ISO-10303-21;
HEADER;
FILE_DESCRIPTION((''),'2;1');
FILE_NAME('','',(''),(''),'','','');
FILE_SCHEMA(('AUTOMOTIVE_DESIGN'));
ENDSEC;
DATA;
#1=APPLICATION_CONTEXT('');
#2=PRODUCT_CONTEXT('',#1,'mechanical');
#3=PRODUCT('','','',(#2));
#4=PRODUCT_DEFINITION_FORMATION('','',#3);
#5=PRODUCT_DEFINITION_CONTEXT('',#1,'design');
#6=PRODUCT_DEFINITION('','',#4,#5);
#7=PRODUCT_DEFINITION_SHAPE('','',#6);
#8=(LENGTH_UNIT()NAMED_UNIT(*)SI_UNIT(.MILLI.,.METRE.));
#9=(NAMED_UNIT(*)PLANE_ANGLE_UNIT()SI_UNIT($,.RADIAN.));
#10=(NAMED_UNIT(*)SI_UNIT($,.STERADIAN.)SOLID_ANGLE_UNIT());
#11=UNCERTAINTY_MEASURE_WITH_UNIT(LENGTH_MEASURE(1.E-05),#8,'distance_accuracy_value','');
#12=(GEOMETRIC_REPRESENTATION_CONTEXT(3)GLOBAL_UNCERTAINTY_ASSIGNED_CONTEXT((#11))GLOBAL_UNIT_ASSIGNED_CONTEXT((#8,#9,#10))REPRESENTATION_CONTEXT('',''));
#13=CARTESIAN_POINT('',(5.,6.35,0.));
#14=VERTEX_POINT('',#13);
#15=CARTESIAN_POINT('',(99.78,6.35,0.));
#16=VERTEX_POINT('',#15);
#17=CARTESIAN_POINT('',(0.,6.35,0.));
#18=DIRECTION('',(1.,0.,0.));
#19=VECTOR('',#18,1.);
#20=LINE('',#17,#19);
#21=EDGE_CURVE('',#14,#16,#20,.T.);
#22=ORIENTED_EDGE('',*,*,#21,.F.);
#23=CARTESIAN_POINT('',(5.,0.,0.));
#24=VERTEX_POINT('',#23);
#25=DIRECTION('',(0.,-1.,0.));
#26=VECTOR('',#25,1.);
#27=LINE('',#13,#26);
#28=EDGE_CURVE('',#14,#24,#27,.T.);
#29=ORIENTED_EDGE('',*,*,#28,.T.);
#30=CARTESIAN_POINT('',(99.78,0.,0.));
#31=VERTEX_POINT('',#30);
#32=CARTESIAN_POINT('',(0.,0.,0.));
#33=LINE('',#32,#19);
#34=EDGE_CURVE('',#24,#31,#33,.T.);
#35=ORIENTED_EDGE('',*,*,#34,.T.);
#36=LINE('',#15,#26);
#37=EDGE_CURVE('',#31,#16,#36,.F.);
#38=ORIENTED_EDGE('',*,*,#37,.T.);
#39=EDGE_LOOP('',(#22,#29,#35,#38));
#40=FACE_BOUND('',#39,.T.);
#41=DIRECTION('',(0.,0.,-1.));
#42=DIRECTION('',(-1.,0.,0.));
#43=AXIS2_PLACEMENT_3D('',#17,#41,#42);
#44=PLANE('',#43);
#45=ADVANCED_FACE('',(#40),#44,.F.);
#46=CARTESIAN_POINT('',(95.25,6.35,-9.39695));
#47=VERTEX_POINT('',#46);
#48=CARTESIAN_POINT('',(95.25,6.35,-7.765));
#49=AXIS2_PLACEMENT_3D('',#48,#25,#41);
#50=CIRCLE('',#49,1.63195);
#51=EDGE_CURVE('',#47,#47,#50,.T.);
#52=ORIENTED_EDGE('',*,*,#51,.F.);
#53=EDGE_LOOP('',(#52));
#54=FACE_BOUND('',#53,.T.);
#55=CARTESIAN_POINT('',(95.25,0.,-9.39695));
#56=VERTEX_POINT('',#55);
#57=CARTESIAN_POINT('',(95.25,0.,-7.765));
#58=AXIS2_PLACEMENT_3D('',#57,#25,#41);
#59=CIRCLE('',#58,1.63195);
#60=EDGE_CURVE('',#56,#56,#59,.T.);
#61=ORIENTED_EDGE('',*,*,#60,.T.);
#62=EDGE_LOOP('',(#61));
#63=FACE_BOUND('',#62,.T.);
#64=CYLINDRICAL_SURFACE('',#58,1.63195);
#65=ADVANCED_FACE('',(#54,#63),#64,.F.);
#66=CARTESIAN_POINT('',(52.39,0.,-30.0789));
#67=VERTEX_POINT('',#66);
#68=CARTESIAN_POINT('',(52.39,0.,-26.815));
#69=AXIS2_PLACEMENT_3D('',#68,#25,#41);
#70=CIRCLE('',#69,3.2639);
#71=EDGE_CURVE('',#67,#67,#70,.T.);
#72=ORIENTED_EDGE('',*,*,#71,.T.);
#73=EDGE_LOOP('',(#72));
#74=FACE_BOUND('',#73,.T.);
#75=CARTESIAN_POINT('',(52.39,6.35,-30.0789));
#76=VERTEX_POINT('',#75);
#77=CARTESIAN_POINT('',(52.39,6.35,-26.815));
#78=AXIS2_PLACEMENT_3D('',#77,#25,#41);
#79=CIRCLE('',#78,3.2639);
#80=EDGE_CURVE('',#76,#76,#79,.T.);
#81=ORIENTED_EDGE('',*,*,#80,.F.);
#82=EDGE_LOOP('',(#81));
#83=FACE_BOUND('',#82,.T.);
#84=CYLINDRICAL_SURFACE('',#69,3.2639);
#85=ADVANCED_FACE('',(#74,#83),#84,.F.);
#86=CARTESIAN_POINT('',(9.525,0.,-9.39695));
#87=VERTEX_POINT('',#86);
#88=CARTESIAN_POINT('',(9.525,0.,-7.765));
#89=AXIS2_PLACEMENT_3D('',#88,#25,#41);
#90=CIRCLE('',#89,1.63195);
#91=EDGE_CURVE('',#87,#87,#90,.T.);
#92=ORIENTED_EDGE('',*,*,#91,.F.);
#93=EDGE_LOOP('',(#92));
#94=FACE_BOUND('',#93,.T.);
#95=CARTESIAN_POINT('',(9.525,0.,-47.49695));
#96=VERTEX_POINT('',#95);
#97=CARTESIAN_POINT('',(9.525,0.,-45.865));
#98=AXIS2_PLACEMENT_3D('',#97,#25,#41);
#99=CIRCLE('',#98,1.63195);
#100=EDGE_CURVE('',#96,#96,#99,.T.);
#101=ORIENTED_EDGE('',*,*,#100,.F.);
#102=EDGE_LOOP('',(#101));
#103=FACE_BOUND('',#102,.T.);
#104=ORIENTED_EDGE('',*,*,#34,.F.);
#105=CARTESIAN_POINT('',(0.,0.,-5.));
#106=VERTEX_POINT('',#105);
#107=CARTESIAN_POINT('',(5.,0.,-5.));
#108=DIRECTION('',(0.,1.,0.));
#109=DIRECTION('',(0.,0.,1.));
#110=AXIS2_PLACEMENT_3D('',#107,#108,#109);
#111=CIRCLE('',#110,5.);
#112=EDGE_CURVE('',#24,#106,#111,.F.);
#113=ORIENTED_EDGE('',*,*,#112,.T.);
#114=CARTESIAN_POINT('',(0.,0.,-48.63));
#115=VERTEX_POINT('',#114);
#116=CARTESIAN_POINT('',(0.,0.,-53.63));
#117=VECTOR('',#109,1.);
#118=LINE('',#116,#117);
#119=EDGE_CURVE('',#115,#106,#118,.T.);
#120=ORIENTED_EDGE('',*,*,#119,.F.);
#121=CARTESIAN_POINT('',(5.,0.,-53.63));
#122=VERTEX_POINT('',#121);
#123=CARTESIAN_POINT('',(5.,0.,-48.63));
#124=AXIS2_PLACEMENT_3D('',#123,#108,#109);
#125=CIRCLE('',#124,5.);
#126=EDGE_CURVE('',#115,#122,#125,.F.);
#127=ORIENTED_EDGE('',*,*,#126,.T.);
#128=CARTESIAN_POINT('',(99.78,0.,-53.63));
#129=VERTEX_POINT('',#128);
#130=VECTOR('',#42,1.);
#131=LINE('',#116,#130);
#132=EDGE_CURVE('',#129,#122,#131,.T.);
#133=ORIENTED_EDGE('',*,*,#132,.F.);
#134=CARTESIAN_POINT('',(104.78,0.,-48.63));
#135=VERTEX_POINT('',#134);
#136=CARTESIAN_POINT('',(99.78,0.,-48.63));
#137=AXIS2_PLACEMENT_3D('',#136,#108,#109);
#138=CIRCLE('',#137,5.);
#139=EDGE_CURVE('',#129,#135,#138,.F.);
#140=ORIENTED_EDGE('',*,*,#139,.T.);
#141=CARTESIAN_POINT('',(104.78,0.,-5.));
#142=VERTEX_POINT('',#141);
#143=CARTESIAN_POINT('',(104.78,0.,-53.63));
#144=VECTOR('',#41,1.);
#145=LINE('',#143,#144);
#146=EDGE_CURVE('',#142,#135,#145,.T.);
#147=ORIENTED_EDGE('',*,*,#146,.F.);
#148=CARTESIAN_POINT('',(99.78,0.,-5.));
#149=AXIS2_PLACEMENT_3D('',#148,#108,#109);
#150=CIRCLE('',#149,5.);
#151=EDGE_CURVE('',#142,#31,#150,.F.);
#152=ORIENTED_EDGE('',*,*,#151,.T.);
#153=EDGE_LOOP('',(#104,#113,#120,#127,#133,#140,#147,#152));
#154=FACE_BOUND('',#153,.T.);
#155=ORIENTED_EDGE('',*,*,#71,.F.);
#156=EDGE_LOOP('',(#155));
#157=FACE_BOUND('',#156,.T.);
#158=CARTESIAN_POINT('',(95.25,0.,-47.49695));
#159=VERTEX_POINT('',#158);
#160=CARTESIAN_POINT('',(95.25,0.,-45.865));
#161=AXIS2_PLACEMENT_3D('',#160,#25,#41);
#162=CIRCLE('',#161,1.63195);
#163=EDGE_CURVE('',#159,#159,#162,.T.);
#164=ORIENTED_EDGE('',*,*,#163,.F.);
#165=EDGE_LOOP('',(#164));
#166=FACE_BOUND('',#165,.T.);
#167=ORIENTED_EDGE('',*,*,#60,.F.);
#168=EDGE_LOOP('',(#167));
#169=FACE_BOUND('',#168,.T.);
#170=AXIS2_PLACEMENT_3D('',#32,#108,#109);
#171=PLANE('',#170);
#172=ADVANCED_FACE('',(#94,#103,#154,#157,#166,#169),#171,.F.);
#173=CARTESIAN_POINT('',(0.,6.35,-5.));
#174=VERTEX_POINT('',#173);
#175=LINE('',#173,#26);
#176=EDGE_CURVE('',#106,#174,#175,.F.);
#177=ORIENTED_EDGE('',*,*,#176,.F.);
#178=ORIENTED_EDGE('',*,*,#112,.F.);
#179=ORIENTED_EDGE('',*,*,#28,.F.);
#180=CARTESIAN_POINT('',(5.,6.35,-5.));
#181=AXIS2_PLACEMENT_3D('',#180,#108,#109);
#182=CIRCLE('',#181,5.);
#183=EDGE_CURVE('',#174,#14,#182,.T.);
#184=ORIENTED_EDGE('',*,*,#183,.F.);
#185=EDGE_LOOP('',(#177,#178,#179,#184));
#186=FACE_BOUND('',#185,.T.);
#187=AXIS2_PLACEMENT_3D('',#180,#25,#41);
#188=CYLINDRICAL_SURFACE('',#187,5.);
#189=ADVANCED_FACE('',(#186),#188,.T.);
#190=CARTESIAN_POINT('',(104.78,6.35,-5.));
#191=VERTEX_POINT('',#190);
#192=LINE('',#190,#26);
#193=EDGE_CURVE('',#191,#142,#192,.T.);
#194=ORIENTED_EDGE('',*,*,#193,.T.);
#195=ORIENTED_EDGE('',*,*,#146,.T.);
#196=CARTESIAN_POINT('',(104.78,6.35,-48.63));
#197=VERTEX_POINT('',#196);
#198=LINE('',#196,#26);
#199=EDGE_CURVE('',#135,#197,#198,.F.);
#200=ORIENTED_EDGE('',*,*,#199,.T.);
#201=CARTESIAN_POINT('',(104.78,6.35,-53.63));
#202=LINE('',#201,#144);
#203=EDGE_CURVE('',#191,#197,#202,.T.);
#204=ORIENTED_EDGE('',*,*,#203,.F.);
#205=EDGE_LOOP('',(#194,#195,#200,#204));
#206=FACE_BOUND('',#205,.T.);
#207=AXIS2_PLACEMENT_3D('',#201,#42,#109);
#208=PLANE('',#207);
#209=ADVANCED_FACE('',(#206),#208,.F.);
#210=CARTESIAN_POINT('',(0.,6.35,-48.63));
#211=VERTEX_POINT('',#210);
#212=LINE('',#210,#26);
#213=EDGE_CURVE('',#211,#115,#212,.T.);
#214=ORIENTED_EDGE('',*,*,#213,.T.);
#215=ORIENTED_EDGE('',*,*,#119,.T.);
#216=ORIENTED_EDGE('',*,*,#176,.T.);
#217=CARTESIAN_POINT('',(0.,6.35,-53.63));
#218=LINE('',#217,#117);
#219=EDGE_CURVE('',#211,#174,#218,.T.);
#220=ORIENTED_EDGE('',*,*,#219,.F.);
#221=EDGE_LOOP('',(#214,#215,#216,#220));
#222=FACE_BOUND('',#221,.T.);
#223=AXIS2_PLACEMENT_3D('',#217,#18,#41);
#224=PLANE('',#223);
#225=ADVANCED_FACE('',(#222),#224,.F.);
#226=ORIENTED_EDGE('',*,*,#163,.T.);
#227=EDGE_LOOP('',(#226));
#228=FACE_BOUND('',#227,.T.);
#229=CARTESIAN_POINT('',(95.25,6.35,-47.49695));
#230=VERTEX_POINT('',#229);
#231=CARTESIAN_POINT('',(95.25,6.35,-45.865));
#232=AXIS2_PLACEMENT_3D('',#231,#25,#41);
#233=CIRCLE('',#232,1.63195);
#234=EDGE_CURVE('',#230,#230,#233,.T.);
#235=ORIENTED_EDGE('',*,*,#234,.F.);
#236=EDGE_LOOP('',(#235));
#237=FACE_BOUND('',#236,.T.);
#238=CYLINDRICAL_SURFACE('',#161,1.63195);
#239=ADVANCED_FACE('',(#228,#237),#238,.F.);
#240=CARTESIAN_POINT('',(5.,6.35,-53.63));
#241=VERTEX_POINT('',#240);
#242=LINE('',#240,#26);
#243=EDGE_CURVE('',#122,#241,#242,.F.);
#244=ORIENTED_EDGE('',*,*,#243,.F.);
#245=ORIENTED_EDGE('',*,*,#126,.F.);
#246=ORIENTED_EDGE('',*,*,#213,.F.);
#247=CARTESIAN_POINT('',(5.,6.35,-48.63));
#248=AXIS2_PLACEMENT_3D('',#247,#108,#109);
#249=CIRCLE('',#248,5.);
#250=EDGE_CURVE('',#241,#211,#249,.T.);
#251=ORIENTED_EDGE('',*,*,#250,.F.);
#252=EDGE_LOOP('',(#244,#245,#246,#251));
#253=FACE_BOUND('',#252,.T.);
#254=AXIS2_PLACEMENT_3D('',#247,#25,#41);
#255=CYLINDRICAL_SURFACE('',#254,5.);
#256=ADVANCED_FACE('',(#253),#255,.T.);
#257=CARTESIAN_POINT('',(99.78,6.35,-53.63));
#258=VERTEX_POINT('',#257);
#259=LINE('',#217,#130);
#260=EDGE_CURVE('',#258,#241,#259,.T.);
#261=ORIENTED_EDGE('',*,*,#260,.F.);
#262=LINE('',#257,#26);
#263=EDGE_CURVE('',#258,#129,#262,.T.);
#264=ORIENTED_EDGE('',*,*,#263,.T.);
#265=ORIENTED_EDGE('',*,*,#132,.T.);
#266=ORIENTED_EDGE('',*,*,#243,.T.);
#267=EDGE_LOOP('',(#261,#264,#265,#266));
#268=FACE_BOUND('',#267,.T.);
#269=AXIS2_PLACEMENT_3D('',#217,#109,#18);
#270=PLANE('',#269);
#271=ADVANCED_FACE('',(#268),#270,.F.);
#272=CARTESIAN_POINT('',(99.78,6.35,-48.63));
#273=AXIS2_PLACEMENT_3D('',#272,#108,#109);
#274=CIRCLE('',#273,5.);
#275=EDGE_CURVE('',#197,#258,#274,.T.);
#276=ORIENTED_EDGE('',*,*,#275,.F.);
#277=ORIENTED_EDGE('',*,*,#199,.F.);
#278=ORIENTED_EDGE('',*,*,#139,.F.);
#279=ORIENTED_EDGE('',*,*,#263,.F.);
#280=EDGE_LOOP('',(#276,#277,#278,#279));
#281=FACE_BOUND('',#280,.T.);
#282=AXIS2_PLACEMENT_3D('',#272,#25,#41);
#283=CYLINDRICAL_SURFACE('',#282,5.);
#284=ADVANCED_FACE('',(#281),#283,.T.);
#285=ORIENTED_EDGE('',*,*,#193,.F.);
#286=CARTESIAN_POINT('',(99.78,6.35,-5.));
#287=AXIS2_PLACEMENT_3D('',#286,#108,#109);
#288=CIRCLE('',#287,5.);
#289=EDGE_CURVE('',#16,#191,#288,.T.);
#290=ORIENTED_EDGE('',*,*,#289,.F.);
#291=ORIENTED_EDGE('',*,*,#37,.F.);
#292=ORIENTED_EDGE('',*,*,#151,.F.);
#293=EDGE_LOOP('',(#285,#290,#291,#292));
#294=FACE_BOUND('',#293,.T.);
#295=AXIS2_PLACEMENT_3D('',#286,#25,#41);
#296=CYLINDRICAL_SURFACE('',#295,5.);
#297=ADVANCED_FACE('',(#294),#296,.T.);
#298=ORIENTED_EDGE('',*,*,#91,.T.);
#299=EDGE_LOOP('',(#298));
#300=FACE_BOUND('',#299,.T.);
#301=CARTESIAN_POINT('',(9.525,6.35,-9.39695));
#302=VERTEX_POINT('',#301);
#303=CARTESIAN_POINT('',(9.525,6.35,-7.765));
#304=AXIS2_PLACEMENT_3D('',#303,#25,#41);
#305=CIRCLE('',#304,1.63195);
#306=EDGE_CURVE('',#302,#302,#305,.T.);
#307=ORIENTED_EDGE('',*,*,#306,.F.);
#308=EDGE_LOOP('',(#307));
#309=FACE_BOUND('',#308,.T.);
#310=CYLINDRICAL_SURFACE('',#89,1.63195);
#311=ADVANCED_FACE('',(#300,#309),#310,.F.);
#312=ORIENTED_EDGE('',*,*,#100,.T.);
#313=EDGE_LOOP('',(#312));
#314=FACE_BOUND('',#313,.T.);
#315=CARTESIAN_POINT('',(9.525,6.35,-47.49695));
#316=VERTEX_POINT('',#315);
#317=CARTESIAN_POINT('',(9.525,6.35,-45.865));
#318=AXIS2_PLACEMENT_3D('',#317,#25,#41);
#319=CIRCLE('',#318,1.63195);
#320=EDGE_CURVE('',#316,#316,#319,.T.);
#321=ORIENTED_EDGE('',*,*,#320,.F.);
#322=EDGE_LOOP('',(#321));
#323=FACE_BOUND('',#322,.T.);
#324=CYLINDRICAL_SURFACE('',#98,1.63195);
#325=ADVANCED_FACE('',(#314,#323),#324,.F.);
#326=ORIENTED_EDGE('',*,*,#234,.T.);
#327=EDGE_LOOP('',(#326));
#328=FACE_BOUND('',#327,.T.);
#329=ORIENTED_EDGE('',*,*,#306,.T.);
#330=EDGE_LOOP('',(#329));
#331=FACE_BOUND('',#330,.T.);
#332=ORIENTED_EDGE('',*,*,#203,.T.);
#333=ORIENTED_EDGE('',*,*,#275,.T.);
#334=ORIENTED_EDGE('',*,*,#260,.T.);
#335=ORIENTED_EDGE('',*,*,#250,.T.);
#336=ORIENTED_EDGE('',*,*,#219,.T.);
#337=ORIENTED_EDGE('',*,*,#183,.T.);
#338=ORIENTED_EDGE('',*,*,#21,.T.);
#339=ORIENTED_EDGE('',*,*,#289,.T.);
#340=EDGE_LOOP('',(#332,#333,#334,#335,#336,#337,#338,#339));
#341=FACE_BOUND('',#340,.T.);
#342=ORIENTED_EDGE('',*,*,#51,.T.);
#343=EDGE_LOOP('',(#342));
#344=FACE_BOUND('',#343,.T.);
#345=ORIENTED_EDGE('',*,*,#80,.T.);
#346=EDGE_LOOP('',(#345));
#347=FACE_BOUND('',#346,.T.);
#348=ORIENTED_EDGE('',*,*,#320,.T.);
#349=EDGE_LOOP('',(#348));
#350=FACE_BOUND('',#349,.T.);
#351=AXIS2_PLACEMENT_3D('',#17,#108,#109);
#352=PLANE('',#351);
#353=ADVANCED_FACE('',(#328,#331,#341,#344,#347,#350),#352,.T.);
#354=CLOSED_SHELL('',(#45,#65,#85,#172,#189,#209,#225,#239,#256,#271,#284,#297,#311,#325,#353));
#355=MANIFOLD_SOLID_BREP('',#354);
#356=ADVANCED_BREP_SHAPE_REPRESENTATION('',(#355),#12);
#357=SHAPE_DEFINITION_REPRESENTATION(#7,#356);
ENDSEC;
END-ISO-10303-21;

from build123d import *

# Parameters (mm, degrees)
SKETCH1_W                    = 104.78
SKETCH1_H                    = 53.63
BOSS_EXTRUDE1_DEPTH          = 6.35
F_0_257_DIAMETER_HOLE1_D     = 6.5278
F_30_0_1285_DIAMETER_HOLE1_D = 3.2639
FILLET1_R                    = 5


with BuildPart() as part:
    # Sketch1 → Boss-Extrude1 (new body)
    with BuildSketch(Plane(origin=(0, 0, 0), x_dir=(1, 0, 0), z_dir=(0, 1, 0))):
        with Locations((52.39, 26.815)):
            Rectangle(SKETCH1_W, SKETCH1_H)
    extrude(amount=BOSS_EXTRUDE1_DEPTH)

    # F (0.257) Diameter Hole1 (through all)
    with Locations(Plane(origin=(0, 0, 0), x_dir=(-1, 0, 0), z_dir=(0, -1, 0))):
        with Locations((-52.39, 26.815)):
            Hole(F_0_257_DIAMETER_HOLE1_D / 2)

    # #30 (0.1285) Diameter Hole1 (through all)
    with Locations(Plane(origin=(0, 0, 0), x_dir=(-1, 0, 0), z_dir=(0, -1, 0))):
        with Locations((-9.525, 7.765), (-9.525, 45.865), (-95.25, 45.865), (-95.25, 7.765)):
            Hole(F_30_0_1285_DIAMETER_HOLE1_D / 2)

    # Fillet1
    fillet1_edges = [part.edges().sort_by_distance(p)[0] for p in [
        (0, 3.175, -53.63),
        (104.78, 3.175, -53.63),
        (104.78, 3.175, 0),
        (0, 3.175, 0),
    ]]
    fillet(fillet1_edges, radius=FILLET1_R)


solid = part.part
